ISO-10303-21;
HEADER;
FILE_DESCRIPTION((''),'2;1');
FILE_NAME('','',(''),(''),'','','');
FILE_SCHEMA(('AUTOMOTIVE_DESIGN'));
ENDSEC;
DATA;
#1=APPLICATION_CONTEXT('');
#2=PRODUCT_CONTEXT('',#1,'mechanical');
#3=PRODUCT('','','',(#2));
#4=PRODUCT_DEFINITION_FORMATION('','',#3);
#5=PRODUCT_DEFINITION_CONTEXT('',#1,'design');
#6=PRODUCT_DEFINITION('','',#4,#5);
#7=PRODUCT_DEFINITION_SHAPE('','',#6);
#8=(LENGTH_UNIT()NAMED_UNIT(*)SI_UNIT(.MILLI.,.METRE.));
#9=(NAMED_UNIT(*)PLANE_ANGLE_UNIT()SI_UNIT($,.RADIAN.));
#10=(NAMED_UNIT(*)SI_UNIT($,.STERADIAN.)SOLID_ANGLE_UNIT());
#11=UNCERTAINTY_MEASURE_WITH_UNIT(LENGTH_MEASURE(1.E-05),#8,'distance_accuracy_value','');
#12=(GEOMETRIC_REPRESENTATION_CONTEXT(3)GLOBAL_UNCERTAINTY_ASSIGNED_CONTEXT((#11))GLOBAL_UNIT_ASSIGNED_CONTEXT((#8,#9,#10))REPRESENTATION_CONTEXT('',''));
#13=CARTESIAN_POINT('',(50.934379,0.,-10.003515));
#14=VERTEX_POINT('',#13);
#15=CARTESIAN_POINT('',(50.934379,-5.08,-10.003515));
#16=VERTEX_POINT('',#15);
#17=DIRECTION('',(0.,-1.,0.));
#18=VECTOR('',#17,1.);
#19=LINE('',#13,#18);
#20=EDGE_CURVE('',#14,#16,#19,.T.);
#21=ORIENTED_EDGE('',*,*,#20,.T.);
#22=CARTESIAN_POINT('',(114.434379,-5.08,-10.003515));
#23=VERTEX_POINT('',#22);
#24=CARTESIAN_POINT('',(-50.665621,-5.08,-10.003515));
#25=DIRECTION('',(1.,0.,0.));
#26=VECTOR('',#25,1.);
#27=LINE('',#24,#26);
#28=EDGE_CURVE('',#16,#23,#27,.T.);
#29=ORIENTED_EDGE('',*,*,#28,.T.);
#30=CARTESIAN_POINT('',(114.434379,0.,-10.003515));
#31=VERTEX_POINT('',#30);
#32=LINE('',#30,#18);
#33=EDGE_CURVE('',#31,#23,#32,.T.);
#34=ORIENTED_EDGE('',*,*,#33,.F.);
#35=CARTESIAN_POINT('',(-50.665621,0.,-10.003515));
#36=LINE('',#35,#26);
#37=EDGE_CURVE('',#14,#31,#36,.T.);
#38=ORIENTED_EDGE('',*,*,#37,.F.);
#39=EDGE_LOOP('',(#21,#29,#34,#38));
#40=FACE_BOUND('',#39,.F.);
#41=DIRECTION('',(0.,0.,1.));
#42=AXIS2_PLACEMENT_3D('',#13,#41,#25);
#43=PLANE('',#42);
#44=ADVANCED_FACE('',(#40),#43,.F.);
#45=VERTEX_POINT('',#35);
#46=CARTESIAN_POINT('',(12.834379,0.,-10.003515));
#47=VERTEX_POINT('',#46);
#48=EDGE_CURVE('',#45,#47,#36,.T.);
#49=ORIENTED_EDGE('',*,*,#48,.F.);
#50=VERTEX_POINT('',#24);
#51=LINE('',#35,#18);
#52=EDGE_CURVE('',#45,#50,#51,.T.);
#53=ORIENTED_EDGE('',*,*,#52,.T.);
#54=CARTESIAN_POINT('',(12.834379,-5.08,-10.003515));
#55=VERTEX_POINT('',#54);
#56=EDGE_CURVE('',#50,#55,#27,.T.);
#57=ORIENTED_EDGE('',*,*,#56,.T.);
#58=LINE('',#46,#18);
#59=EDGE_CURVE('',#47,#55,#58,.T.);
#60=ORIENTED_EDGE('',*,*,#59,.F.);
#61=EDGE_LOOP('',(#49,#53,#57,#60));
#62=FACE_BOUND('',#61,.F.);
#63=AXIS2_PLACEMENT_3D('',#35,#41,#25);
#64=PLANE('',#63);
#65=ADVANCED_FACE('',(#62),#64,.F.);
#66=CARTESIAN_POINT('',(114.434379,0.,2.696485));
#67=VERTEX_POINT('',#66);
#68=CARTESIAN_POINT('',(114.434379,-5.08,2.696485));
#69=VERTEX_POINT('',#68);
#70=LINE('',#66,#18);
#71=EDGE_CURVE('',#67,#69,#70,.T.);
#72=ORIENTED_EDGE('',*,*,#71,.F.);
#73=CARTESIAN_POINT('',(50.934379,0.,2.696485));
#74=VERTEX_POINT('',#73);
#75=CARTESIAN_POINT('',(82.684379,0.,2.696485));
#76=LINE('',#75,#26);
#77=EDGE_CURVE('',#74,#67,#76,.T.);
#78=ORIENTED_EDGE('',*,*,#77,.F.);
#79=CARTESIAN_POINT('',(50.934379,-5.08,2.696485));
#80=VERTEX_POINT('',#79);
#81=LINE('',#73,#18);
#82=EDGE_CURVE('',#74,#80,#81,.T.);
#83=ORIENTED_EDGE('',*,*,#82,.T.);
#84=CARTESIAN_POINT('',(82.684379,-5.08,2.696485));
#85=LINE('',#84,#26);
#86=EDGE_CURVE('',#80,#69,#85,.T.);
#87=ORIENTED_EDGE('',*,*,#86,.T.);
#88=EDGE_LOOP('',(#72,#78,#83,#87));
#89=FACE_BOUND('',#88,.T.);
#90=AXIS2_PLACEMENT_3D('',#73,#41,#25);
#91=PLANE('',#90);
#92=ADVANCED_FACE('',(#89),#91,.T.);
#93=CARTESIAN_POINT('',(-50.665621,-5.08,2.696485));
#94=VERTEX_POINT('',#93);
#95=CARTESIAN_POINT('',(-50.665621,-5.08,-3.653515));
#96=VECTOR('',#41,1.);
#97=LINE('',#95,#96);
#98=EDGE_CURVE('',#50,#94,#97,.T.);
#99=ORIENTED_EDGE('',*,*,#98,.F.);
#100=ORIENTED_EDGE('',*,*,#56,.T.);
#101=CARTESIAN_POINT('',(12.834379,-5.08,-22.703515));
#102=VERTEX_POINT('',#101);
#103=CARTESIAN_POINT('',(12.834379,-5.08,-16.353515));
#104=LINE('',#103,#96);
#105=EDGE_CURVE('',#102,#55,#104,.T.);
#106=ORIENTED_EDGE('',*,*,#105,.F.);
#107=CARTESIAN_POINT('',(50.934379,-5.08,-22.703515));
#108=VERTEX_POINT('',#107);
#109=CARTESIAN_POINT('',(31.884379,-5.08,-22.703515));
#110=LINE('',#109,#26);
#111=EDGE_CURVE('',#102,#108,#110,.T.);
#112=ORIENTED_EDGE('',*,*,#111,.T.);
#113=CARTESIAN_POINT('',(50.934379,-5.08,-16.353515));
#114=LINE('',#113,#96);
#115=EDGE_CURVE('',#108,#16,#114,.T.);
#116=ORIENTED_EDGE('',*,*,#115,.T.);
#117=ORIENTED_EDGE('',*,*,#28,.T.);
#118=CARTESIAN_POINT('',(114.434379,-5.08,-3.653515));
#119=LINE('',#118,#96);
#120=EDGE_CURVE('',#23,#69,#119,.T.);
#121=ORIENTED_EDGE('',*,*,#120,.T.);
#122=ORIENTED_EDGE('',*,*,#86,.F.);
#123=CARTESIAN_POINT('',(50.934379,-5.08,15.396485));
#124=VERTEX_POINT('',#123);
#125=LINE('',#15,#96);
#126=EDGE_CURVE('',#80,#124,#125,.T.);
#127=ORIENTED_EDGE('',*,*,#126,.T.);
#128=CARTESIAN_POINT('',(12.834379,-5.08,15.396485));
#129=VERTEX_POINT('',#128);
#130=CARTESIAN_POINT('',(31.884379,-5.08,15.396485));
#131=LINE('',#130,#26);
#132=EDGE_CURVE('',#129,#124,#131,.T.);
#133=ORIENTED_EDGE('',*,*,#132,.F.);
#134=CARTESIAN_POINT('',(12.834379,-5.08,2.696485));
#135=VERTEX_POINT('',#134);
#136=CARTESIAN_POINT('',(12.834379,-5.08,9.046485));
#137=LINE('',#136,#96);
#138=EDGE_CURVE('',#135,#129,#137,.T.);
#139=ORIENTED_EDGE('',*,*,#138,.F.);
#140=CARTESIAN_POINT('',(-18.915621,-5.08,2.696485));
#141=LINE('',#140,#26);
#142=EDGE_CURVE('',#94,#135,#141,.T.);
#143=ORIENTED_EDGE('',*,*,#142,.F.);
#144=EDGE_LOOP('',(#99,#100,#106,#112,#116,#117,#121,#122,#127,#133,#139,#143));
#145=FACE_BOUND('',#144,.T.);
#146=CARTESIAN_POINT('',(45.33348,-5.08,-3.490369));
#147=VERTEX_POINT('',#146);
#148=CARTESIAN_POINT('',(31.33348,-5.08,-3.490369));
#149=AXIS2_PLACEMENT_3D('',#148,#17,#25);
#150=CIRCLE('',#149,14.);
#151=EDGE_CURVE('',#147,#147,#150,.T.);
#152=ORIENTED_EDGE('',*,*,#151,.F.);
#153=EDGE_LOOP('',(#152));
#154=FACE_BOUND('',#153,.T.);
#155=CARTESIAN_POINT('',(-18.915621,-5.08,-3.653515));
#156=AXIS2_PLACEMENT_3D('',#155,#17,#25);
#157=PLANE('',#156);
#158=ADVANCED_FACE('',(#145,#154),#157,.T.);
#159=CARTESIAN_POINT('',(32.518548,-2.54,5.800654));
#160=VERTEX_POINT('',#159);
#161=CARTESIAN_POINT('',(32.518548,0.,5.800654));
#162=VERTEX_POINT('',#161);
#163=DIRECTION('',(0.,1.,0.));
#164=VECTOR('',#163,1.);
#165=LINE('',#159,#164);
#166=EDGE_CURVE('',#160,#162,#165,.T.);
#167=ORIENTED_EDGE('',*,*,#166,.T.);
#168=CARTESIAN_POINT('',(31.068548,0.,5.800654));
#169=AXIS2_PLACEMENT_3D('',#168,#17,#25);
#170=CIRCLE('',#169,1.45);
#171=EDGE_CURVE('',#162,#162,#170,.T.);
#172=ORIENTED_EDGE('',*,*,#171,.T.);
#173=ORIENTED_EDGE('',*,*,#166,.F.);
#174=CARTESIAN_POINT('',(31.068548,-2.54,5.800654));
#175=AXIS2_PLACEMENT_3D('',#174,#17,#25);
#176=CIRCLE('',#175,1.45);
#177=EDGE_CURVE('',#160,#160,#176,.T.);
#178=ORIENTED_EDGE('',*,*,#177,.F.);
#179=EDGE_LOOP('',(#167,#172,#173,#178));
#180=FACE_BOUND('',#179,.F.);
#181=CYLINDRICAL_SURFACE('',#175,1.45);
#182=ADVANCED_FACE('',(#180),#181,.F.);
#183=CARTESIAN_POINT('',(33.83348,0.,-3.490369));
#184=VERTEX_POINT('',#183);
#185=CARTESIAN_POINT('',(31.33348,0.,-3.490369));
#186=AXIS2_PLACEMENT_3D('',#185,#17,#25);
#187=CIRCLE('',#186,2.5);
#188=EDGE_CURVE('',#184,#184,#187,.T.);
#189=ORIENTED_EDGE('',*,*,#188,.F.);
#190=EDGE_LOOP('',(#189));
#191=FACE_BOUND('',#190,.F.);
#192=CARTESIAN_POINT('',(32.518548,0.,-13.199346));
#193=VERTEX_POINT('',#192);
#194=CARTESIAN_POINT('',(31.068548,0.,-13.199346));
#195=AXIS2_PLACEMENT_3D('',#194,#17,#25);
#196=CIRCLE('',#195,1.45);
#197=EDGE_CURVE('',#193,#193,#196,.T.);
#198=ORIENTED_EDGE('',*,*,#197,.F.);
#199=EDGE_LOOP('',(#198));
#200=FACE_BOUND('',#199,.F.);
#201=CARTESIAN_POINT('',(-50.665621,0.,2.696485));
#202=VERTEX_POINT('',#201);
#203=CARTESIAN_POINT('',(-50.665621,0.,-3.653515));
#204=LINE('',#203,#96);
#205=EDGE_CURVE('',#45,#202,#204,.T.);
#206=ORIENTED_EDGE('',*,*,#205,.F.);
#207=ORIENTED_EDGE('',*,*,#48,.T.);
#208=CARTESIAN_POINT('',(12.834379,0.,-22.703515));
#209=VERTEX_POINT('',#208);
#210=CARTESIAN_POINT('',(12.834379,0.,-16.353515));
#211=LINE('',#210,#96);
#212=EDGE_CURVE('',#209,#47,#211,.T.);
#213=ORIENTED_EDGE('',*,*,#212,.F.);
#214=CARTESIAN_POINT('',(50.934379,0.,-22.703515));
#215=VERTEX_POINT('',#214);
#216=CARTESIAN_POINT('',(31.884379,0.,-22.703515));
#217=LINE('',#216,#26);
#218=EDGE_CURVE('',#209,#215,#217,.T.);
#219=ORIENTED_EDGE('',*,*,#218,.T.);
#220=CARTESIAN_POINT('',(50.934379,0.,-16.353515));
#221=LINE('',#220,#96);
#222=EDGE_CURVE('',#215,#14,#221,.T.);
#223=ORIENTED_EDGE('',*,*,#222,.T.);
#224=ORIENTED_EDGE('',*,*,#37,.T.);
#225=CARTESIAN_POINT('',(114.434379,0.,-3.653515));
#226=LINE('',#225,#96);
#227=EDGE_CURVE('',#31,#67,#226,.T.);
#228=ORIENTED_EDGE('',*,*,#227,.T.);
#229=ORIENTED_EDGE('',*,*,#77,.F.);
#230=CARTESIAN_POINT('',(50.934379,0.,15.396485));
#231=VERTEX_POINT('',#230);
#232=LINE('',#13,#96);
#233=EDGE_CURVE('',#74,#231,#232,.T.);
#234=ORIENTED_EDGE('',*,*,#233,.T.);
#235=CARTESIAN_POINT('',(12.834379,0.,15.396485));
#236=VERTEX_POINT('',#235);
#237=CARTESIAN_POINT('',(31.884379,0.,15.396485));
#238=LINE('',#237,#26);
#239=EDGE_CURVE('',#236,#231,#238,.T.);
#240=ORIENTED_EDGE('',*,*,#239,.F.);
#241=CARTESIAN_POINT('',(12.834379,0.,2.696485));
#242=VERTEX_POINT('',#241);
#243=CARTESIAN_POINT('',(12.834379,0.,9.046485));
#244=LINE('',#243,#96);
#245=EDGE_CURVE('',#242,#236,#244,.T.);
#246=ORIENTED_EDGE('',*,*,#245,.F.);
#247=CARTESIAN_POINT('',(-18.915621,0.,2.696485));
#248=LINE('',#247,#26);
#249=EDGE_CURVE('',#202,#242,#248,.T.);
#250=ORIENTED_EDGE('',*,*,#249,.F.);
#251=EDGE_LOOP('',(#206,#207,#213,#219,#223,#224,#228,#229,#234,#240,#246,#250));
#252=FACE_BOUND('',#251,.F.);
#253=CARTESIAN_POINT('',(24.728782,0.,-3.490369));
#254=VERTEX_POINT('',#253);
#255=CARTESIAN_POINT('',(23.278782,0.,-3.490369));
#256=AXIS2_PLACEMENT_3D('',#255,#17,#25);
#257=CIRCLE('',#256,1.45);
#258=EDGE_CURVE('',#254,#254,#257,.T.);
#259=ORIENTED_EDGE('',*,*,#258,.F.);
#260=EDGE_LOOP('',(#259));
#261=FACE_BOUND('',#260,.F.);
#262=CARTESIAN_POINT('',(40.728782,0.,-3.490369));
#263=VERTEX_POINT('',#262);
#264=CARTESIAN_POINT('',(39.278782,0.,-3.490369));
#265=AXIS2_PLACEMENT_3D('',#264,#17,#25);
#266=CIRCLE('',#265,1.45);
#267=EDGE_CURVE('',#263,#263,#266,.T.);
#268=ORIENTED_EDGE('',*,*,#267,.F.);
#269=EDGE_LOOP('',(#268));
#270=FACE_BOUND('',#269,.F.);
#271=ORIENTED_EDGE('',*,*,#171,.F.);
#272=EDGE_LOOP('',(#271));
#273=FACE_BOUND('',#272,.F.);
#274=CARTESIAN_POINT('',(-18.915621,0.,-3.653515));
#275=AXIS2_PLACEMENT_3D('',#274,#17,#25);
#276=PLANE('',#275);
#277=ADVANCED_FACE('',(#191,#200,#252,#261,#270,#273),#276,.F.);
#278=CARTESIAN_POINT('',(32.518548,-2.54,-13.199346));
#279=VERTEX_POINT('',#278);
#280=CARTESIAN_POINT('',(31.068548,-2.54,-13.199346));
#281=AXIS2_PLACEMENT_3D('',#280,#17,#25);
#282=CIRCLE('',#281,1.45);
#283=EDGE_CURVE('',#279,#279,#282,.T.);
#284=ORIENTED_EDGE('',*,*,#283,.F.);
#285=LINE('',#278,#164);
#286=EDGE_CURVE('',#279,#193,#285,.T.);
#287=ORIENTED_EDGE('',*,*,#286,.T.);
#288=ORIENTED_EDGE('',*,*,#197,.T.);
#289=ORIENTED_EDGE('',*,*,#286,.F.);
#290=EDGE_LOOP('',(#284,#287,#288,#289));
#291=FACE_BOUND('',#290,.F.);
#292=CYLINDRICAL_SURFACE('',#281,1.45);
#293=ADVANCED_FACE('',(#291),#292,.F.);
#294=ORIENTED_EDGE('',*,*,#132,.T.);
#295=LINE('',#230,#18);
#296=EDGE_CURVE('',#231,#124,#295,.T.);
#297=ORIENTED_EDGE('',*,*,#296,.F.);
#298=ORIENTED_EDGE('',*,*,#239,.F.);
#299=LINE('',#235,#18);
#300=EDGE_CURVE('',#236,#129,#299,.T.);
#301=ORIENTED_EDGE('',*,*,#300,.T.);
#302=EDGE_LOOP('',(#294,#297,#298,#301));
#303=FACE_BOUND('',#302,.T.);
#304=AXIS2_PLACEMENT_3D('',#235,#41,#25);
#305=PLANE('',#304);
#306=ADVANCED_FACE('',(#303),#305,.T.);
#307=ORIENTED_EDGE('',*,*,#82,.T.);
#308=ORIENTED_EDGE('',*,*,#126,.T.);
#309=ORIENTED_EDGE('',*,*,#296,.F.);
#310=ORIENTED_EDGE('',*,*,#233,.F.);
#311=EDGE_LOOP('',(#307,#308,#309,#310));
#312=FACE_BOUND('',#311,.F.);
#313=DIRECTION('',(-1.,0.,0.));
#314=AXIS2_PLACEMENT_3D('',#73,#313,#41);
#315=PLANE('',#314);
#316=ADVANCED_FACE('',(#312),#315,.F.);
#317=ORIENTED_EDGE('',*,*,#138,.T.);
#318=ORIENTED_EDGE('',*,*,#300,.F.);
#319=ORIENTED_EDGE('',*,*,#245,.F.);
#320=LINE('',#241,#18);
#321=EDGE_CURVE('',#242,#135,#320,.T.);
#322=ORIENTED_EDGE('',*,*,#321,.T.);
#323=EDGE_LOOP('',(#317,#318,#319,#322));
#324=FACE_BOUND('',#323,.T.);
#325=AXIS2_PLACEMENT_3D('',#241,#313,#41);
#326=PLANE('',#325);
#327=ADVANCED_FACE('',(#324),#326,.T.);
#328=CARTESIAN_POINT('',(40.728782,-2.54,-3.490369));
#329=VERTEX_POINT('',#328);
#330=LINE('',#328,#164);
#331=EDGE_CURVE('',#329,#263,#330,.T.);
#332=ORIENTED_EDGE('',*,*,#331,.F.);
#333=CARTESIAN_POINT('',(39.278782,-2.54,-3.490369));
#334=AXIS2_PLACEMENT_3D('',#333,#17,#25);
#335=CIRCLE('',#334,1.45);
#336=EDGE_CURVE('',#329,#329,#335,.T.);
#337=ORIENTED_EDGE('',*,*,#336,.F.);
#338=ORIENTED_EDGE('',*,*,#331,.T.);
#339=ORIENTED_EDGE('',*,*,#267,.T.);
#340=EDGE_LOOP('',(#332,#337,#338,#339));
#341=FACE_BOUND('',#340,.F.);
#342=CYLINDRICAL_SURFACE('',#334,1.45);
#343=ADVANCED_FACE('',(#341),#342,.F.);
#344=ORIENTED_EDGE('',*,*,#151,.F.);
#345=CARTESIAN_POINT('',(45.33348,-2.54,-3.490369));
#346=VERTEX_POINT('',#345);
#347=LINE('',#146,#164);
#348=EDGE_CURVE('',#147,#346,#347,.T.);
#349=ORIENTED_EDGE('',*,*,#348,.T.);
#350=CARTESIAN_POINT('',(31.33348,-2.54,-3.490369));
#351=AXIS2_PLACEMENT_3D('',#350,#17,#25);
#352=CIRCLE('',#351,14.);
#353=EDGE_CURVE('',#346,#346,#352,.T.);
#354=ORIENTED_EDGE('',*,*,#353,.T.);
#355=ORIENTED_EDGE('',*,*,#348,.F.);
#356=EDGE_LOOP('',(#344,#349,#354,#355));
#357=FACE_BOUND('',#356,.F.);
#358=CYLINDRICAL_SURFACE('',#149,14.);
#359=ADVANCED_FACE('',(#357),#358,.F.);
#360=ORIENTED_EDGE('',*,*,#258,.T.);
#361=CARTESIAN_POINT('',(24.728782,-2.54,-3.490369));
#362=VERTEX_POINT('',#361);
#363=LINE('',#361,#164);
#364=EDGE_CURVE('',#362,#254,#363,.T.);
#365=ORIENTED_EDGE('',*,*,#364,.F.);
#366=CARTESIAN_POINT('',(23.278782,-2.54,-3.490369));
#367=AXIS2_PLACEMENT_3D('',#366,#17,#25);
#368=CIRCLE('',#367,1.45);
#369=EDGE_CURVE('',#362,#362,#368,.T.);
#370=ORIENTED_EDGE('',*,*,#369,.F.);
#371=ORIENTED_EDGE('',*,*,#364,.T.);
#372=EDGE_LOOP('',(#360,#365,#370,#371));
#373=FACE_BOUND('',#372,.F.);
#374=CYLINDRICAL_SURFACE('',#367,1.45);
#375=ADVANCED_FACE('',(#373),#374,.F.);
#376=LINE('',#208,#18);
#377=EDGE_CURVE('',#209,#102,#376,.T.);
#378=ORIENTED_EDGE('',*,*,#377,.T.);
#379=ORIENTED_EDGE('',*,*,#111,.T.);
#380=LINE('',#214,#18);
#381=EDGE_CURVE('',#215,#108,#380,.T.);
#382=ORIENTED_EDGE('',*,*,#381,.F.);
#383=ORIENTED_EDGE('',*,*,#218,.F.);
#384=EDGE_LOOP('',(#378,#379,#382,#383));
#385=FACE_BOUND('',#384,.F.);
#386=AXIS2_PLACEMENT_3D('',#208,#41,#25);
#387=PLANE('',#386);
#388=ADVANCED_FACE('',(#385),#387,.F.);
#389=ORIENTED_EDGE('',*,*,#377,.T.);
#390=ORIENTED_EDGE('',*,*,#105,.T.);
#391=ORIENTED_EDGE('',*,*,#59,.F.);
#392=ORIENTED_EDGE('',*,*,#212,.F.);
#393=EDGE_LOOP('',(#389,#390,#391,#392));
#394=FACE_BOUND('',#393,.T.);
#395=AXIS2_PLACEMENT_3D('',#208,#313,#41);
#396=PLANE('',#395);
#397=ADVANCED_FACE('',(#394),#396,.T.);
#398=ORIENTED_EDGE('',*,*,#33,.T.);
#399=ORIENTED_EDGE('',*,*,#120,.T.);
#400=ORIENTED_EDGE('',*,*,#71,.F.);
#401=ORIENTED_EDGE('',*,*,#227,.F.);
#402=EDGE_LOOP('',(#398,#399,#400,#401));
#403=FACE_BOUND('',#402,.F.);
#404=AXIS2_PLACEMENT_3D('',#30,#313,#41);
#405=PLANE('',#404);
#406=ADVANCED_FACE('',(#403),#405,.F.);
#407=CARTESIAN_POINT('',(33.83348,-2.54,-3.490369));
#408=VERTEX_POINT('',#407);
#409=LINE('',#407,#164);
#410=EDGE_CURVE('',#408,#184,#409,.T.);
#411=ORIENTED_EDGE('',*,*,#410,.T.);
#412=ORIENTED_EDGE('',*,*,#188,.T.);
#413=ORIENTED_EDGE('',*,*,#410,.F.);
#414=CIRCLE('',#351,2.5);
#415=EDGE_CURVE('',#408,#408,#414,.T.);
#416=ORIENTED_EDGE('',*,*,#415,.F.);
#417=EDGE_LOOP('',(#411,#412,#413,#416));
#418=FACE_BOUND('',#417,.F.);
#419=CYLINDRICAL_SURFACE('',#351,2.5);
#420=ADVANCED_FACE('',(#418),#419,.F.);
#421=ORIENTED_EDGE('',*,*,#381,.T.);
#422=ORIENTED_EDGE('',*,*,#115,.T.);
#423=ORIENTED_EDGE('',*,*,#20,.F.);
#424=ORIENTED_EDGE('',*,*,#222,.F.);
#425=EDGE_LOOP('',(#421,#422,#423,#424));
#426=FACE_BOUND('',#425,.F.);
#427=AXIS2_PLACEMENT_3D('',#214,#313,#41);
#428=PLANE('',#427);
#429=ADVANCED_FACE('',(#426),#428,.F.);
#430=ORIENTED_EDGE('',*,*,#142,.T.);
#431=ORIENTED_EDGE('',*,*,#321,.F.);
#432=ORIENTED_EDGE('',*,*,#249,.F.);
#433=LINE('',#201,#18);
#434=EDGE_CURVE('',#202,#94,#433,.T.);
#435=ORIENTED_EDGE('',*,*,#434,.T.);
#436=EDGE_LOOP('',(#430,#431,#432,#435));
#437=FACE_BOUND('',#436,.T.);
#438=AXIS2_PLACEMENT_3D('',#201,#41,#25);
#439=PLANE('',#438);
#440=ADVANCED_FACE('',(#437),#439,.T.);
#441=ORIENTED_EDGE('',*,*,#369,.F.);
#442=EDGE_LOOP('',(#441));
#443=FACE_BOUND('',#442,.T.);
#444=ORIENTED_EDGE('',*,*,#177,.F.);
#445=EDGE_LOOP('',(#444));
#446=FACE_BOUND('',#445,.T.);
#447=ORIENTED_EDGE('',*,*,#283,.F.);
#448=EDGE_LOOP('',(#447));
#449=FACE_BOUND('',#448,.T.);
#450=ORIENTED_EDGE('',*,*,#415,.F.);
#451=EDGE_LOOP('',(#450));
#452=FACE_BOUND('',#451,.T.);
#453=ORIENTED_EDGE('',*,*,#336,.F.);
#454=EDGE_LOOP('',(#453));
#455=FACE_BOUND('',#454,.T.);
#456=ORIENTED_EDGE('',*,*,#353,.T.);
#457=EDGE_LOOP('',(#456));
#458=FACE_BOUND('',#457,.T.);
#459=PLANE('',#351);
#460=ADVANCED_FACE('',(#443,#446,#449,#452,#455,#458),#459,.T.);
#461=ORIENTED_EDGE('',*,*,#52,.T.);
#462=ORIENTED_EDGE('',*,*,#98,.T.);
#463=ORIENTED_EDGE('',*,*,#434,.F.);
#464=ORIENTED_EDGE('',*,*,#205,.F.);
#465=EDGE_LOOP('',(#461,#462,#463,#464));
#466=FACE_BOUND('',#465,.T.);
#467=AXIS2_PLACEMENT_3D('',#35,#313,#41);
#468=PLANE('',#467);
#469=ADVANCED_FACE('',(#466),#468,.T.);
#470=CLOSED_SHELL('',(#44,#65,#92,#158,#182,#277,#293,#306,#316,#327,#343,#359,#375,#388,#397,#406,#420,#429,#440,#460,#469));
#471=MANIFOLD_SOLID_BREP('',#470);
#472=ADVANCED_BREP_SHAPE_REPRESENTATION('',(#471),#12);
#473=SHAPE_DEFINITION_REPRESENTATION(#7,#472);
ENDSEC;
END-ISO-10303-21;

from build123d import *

# Parameters (mm, degrees)
F0_W     = 63.5
F0_H     = 12.7
F0_W_2   = 38.1
F1_DEPTH = 5.08
F2_R     = 14
F3_DEPTH = 2.54
F4_R     = 1.45
F4_R_2   = 2.5
F5_DEPTH = 25.4


with BuildPart() as f1:
    # F0 (on Front) → F1 (new body)
    with BuildSketch(Plane.XZ):
        with Locations((-18.9156212242, -3.6535147662)):
            Rectangle(F0_W, F0_H)
        with Locations((31.8843787758, 9.0464852338)):
            Rectangle(F0_W_2, F0_H)
        with Locations((31.8843787758, -3.6535147662)):
            Rectangle(F0_W_2, F0_H)
        with Locations((82.6843787758, -3.6535147662)):
            Rectangle(F0_W, F0_H)
        with Locations((31.8843787758, -16.3535147662)):
            Rectangle(F0_W_2, F0_H)
    extrude(amount=F1_DEPTH)

    # F2 (on face) → F3 (cut)
    with BuildSketch(Plane.XZ.offset(5.08)):
        with Locations((31.3334800303, -3.4903693013)):
            Circle(F2_R)
    extrude(amount=-F3_DEPTH, mode=Mode.SUBTRACT)

    # F4 (on face) → F5 (cut)
    with BuildSketch(Plane.XZ.offset(2.54)):
        with Locations((39.2787821442, -3.4903693013)):
            Circle(F4_R)
        with Locations((23.2787821442, -3.4903693013)):
            Circle(F4_R)
        with Locations((31.0685478124, -13.1993463289)):
            Circle(F4_R)
        with Locations((31.0685478124, 5.8006536711)):
            Circle(F4_R)
        with Locations((31.3334800303, -3.4903693013)):
            Circle(F4_R_2)
    extrude(amount=-F5_DEPTH, mode=Mode.SUBTRACT)


solid = f1.part
